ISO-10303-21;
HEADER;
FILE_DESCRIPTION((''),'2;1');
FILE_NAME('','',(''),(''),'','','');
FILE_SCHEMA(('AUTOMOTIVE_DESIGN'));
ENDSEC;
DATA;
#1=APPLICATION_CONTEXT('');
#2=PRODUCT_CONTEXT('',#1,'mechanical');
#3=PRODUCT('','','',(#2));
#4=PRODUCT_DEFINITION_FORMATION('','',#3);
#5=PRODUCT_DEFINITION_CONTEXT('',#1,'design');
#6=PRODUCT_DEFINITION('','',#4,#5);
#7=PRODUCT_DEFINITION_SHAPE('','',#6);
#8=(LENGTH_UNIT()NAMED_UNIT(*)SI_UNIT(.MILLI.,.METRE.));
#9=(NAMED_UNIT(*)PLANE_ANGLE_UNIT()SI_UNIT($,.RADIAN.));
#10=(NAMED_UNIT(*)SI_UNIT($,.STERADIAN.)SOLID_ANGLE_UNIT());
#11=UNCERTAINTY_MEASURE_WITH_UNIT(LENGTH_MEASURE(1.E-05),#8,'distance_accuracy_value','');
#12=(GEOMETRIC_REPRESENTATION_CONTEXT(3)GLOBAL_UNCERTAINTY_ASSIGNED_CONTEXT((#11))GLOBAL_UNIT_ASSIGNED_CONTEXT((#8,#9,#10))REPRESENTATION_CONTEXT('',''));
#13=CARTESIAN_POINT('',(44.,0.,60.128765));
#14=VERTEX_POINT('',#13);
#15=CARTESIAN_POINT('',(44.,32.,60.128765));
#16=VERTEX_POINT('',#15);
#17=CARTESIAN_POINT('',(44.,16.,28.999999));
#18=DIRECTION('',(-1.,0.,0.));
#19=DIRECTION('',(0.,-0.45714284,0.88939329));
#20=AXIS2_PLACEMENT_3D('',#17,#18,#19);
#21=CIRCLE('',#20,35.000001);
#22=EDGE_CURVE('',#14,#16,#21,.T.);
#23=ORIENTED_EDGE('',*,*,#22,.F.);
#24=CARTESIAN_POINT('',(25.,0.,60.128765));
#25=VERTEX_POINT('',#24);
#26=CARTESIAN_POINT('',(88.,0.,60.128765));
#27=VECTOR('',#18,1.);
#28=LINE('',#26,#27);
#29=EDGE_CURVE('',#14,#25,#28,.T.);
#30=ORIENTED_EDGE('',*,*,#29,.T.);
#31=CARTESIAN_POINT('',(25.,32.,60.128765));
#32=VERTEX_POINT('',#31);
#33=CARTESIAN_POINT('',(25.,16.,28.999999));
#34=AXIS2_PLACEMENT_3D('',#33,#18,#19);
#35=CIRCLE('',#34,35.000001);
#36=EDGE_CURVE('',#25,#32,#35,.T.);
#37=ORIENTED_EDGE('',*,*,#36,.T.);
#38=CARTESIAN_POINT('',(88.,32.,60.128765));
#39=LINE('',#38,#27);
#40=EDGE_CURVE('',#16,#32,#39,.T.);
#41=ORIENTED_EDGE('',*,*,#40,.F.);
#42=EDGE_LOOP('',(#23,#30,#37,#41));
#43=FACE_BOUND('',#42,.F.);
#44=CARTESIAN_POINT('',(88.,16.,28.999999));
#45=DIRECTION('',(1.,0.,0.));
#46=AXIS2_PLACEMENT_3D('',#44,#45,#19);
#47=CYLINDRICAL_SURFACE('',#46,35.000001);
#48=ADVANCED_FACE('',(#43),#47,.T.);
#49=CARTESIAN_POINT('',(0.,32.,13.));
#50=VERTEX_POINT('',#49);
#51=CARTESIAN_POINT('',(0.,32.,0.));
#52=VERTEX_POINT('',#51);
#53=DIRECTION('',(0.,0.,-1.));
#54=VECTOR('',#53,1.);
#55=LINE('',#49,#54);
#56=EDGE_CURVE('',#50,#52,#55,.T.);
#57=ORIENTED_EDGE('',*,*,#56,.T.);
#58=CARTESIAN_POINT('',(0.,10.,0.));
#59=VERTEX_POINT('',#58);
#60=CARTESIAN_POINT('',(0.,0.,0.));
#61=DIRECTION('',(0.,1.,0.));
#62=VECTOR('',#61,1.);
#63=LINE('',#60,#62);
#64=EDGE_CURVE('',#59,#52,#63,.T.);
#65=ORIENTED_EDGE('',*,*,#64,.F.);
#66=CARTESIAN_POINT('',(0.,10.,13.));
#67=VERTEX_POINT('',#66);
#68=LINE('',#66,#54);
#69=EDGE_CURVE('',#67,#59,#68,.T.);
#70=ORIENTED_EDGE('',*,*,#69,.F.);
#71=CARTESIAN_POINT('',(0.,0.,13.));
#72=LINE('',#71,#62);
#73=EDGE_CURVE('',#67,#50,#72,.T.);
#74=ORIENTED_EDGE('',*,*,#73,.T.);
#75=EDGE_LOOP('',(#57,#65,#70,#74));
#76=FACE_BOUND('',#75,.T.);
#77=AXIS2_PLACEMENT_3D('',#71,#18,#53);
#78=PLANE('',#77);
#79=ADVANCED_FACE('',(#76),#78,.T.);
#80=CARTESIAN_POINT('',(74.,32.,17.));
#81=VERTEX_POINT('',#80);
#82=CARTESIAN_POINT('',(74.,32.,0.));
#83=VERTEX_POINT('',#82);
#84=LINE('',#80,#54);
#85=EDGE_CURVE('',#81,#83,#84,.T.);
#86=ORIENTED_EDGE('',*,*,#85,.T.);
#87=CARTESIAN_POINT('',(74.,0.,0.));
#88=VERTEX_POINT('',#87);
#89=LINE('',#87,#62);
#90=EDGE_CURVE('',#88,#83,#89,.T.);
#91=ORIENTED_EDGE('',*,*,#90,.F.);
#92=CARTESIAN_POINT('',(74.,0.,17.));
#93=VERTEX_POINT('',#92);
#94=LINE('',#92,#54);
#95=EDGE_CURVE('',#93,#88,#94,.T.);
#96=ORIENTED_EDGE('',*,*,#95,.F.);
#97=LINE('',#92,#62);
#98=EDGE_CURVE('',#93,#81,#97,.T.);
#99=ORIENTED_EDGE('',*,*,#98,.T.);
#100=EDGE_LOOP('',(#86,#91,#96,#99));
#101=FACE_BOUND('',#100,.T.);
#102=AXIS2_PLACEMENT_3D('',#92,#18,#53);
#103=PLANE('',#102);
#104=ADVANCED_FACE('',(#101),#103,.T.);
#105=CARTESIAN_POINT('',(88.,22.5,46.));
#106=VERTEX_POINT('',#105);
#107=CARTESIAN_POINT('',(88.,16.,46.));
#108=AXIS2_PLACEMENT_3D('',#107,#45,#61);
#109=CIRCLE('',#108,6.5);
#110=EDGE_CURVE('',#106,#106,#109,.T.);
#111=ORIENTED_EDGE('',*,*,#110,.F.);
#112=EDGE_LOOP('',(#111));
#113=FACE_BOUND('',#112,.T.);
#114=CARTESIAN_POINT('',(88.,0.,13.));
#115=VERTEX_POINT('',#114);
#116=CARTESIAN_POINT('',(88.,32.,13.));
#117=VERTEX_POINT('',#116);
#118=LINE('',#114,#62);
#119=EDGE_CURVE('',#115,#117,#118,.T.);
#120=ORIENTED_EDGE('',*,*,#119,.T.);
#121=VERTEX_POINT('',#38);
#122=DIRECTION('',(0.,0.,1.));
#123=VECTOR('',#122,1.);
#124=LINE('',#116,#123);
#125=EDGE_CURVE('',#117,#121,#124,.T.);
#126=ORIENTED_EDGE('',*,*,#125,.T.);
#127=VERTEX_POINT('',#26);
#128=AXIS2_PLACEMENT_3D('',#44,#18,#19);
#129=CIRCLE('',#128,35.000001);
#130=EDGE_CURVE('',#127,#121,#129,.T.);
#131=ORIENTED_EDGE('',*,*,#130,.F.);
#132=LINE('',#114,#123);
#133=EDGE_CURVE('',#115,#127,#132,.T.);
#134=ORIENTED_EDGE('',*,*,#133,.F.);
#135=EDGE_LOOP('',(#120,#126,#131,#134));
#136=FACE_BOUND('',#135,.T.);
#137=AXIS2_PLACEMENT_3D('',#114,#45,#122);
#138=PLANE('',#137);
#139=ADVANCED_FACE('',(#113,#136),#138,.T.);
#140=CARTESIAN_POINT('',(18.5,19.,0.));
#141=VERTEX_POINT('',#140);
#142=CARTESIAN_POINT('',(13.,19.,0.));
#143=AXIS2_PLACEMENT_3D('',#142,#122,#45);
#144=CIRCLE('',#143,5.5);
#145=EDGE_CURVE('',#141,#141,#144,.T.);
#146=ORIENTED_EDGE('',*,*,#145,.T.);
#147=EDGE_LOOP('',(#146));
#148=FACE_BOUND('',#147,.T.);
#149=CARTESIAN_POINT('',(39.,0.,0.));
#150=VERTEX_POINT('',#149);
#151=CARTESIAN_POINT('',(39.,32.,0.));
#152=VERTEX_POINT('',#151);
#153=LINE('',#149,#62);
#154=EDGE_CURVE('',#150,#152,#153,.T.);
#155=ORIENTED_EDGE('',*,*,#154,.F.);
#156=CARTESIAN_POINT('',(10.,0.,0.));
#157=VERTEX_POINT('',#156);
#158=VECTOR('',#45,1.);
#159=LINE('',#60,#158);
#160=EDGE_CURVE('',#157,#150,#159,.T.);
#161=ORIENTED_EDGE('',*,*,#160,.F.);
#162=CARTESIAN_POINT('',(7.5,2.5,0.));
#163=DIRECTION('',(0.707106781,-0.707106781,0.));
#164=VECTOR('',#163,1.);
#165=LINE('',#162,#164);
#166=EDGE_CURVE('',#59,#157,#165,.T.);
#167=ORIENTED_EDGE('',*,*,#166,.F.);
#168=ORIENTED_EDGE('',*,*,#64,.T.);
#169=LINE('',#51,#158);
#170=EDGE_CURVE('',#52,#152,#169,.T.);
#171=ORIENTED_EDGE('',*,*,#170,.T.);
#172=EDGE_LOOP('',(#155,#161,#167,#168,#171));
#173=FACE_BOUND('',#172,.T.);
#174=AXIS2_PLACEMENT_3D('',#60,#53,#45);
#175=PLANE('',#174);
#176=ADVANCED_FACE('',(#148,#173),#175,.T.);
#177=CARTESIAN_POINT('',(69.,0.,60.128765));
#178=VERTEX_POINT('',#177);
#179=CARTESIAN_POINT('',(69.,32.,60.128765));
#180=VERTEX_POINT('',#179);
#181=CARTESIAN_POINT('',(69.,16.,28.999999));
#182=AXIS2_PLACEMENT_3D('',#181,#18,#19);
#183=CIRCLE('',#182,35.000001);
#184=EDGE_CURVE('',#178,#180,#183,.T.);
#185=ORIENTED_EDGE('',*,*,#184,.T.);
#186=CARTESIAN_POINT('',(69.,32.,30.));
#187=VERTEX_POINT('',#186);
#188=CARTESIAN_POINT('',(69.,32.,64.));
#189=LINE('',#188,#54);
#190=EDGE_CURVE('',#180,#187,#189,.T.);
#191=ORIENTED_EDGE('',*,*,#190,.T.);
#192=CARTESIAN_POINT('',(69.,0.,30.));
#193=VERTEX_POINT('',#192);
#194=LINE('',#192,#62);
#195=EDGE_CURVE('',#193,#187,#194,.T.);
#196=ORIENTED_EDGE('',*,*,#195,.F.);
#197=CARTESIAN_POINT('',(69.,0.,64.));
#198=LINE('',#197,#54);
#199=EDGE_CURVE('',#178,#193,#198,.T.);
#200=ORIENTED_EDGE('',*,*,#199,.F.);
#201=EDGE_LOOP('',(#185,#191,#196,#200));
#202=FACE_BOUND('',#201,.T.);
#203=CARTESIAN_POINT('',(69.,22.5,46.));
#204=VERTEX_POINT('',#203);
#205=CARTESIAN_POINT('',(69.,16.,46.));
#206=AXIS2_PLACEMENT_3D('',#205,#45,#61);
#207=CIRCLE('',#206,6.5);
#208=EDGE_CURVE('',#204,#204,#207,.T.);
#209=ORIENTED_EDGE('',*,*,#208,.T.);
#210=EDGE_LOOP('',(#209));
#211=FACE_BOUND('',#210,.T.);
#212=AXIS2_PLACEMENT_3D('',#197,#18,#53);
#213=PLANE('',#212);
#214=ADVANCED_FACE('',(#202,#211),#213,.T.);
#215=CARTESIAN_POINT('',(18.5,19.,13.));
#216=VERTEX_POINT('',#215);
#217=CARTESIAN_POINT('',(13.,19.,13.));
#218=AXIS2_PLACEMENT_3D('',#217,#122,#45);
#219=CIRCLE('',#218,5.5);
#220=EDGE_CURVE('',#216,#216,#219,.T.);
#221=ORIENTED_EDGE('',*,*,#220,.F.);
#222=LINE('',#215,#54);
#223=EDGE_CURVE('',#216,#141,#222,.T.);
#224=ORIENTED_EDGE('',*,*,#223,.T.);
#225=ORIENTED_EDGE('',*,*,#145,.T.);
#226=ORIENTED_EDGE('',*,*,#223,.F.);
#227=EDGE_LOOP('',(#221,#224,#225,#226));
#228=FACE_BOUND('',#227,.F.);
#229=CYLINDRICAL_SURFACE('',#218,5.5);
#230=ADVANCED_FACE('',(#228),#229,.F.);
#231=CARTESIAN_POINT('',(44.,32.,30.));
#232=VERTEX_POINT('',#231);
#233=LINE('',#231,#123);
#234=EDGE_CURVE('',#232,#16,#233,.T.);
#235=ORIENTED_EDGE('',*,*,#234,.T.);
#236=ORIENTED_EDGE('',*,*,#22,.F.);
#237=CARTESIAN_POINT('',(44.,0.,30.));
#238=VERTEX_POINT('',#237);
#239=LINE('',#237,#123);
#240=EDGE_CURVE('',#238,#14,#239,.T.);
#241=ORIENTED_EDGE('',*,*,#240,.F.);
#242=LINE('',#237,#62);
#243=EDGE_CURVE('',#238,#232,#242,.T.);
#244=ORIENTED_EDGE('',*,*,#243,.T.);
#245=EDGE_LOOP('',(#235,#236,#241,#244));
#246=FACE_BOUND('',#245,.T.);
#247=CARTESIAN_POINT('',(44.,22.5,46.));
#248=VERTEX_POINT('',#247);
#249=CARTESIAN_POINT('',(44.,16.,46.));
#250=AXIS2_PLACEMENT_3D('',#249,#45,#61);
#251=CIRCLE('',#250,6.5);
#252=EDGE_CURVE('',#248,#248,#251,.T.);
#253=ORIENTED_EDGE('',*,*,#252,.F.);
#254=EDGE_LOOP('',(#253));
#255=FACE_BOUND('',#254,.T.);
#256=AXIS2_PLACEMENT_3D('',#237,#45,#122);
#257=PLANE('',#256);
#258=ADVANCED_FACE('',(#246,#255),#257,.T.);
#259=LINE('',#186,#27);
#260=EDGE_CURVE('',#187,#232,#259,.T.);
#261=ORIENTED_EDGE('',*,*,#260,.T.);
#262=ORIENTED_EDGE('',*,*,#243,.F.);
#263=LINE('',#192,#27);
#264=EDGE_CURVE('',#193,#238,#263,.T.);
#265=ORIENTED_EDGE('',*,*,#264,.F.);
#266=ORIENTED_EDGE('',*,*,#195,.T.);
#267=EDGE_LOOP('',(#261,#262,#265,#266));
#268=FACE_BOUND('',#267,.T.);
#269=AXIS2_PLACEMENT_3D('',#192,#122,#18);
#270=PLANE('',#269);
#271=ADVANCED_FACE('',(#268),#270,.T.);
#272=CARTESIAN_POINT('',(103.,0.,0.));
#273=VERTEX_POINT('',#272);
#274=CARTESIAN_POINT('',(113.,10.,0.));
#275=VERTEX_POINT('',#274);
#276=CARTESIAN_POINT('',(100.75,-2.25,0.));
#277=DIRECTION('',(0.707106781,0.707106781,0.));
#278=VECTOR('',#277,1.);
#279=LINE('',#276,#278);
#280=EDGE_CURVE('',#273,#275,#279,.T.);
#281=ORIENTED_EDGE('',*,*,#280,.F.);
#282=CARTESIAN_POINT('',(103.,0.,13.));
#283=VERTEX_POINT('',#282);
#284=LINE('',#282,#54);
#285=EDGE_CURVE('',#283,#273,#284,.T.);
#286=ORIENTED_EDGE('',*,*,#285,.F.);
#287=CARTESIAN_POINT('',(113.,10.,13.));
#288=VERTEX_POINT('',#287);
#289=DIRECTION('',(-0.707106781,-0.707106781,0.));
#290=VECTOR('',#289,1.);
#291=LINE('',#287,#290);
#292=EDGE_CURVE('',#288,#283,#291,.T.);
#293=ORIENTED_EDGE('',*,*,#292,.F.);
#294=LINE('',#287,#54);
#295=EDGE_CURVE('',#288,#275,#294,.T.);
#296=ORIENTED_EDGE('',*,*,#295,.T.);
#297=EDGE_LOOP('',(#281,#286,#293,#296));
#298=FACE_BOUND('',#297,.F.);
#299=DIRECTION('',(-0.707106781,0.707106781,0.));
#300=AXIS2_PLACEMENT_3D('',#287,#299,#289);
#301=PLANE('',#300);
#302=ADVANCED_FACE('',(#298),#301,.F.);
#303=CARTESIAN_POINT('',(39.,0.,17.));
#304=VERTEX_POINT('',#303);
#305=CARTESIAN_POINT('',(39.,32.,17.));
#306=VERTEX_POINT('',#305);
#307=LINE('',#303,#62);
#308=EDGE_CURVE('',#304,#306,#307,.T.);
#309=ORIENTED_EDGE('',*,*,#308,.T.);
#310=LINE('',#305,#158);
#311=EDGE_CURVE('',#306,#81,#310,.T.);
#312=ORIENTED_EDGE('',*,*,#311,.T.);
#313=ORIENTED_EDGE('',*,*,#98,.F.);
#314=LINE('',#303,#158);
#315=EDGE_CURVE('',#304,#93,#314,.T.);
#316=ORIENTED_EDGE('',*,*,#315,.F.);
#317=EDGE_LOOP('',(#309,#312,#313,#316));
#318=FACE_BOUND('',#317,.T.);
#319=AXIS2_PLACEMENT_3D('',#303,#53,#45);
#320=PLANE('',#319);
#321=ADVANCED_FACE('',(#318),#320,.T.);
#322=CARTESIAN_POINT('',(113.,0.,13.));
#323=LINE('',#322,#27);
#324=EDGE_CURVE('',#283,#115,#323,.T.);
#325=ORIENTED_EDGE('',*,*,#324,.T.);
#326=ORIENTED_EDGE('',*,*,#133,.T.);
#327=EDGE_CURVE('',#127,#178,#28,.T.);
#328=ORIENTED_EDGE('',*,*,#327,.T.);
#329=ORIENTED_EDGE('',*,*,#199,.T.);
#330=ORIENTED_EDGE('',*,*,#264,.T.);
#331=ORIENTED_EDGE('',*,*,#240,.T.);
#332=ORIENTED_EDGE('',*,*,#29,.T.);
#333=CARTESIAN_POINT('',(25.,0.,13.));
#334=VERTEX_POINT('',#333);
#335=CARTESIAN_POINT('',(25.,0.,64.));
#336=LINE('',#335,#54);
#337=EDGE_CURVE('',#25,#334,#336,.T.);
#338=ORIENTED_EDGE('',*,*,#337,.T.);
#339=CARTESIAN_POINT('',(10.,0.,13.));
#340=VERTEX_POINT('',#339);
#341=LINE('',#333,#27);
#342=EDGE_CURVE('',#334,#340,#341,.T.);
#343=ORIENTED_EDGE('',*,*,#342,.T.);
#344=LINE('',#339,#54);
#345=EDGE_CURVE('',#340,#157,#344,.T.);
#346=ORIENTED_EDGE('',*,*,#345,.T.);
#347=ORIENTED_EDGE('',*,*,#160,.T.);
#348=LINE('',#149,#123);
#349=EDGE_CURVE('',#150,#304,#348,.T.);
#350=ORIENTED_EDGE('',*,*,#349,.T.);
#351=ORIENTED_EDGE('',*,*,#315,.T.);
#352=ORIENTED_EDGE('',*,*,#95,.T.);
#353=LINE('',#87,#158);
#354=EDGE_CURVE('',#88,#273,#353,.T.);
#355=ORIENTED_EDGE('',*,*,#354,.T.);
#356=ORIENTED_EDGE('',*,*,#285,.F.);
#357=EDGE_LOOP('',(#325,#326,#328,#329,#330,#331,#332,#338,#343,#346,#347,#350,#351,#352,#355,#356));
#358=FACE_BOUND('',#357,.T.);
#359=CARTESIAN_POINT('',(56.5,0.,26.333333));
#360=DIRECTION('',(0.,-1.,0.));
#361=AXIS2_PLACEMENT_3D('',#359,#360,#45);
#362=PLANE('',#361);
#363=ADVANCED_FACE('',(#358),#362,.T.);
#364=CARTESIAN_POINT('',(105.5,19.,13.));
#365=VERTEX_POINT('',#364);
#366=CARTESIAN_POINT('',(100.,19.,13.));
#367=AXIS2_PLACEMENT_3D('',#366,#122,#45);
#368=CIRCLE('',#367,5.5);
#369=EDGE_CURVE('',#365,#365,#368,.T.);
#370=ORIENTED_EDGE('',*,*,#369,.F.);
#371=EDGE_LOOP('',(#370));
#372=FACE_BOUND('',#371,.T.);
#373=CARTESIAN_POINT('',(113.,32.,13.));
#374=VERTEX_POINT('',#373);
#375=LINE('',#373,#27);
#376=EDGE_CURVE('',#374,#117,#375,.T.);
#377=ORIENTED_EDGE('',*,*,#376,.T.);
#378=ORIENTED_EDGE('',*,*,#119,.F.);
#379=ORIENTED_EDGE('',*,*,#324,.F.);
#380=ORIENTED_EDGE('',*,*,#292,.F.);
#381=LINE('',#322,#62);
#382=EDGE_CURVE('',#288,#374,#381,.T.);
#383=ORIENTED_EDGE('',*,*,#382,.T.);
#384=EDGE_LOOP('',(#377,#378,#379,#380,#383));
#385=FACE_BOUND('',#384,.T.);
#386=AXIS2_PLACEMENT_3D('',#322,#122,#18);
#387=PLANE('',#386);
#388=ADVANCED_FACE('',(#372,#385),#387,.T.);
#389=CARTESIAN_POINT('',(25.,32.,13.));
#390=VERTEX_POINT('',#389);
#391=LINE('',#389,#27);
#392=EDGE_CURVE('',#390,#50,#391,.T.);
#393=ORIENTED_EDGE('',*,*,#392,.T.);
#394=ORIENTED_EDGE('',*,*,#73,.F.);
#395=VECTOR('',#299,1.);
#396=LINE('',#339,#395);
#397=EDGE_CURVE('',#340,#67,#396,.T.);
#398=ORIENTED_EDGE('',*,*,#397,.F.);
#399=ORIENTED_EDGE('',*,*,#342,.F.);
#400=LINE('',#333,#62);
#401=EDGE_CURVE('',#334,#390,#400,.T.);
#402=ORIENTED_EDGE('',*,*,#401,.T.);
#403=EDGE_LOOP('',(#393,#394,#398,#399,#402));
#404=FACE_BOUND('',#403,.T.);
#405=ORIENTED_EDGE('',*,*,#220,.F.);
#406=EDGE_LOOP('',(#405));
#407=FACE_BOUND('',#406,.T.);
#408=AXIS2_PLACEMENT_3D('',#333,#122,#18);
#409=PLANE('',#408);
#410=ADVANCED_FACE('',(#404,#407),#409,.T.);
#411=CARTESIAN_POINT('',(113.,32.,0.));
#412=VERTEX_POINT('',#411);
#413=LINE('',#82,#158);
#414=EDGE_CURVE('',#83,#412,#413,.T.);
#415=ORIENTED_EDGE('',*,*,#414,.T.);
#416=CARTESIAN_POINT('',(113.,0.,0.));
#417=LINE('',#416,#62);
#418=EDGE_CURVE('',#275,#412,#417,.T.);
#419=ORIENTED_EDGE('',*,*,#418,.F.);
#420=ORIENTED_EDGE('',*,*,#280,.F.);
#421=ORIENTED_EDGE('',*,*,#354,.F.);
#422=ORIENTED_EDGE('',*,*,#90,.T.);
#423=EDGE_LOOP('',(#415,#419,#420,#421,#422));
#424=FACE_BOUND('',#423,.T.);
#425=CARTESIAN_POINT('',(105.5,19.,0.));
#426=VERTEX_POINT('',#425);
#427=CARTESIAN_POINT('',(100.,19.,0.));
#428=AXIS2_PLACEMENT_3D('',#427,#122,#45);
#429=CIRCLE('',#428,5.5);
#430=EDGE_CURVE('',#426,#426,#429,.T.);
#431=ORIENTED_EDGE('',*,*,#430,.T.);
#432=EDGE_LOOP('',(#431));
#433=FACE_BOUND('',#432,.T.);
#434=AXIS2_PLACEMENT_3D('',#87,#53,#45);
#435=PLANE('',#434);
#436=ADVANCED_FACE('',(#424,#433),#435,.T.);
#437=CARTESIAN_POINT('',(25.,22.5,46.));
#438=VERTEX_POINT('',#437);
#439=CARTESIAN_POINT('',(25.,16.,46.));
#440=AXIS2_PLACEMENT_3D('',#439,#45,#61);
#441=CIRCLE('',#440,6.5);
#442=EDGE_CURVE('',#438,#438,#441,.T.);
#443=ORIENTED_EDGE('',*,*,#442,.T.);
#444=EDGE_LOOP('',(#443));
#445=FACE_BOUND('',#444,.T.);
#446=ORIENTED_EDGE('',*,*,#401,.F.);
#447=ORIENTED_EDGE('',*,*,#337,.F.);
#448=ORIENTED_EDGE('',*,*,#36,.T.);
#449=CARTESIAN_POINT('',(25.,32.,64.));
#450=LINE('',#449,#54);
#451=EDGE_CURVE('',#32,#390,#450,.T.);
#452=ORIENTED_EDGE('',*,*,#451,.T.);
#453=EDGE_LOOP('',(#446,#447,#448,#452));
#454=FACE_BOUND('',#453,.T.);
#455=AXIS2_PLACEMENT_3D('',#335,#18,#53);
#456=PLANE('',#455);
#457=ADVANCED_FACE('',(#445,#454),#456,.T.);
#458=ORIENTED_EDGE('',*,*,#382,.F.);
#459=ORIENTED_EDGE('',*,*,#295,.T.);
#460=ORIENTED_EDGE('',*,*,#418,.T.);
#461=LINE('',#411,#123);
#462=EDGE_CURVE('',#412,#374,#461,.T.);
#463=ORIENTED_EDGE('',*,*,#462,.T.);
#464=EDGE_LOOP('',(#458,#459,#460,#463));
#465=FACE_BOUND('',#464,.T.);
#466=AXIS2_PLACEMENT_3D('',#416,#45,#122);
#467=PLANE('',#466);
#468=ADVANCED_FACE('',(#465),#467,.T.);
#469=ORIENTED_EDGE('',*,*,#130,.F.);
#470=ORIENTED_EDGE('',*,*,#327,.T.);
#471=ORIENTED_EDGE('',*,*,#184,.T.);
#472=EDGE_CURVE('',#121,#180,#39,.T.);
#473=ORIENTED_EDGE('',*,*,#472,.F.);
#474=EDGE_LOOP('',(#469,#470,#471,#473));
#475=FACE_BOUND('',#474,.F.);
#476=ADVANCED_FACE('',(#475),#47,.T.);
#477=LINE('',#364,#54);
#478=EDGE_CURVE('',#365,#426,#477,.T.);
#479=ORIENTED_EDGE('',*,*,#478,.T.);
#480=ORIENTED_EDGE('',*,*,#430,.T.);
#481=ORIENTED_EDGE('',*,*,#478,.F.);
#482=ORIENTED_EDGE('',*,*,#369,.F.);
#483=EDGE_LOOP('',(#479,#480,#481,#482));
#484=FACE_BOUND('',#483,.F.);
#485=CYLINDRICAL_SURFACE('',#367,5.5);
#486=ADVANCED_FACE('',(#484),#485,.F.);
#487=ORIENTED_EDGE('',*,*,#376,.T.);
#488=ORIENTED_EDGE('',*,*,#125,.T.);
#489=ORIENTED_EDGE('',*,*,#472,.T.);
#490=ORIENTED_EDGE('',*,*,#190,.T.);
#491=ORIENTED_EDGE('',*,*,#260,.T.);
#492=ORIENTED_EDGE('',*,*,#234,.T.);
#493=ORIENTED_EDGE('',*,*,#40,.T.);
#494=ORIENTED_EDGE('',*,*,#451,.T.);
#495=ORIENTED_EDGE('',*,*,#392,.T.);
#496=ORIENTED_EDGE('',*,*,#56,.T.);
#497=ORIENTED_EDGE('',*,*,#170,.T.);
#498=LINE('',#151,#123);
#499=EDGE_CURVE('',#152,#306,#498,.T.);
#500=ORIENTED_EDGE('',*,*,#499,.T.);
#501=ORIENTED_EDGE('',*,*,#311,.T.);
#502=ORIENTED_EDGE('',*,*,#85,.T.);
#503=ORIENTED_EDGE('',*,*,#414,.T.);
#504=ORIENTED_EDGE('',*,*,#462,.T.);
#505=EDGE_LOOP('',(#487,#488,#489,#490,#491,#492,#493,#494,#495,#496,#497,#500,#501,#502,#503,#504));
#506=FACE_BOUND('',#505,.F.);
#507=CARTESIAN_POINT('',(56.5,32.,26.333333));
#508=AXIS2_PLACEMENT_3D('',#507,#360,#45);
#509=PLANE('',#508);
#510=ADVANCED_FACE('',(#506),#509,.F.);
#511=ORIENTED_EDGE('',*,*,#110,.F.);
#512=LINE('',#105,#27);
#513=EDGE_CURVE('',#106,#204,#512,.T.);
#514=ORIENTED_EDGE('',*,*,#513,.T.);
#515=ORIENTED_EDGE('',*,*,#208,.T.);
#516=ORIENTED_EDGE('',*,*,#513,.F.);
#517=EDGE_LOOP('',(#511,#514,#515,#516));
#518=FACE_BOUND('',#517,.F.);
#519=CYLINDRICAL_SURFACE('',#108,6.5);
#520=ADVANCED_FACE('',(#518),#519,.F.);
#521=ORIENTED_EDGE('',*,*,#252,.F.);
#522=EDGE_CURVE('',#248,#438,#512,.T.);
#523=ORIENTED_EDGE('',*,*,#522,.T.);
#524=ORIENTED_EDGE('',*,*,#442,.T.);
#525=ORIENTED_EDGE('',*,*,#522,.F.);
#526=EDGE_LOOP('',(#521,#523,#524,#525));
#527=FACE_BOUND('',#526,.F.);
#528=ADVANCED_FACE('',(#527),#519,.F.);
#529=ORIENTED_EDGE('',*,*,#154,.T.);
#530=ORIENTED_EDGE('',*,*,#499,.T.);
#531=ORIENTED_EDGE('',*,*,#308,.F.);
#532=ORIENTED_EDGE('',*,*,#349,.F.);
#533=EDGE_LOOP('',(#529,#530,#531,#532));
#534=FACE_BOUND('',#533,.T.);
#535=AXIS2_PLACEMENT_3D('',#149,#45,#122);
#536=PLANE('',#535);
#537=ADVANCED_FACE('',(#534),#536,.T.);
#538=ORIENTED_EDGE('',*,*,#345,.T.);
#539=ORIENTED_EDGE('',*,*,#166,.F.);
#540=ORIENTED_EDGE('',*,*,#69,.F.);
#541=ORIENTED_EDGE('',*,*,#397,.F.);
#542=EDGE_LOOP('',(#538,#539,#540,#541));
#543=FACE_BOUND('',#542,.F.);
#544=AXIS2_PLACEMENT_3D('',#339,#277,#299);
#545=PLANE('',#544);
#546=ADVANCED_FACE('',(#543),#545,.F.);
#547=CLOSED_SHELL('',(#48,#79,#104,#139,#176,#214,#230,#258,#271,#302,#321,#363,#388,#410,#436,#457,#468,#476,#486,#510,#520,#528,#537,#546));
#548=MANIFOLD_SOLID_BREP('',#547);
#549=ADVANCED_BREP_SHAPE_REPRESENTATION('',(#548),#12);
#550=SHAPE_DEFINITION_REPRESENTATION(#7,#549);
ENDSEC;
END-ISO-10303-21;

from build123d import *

# Parameters (mm, degrees)
F1_DEPTH  = 32
F2_R      = 5.5
F3_DEPTH  = 13.001
F4_R      = 5.5
F5_DEPTH  = 13.001
F7_DEPTH  = 13.001
F9_DEPTH  = 13.001
F10_R     = 6.5
F11_DEPTH = 88.001
F13_DEPTH = 88.001


with BuildPart() as f1:
    # F0 (on Front) → F1 (new body)
    with BuildSketch(Plane.XZ):
        Polygon((0, 13), (0, 0), (39, 0), (39, 17), (74, 17), (74, 0), (113, 0), (113, 13), (88, 13), (88, 64), (69, 64), (69, 30), (44, 30), (44, 64), (25, 64), (25, 13), align=None)
    extrude(amount=-F1_DEPTH)

    # F2 (on face) → F3 (cut, through all)
    with BuildSketch(Plane.XY.offset(13)):
        with Locations((13, 19)):
            Circle(F2_R)
    extrude(amount=-F3_DEPTH, mode=Mode.SUBTRACT)

    # F4 (on face) → F5 (cut, through all)
    with BuildSketch(Plane.XY.offset(13)):
        with Locations((100, 19)):
            Circle(F4_R)
    extrude(amount=-F5_DEPTH, mode=Mode.SUBTRACT)

    # F6 (on face) → F7 (cut, through all)
    with BuildSketch(Plane.XY.offset(13)):
        Polygon((0, 10), (0, 0), (10, 0), align=None)
    extrude(amount=-F7_DEPTH, mode=Mode.SUBTRACT)

    # F8 (on face) → F9 (cut, through all)
    with BuildSketch(Plane.XY.offset(13)):
        Polygon((103, 0), (113, 0), (113, 10), align=None)
    extrude(amount=-F9_DEPTH, mode=Mode.SUBTRACT)

    # F10 (on face) → F11 (cut, through all)
    with BuildSketch(Plane.YZ.offset(88)):
        with Locations((16, 46)):
            Circle(F10_R)
    extrude(amount=-F11_DEPTH, mode=Mode.SUBTRACT)

    # F12 (on face) → F13 (cut, through all)
    with BuildSketch(Plane.YZ.offset(88)):
        with BuildLine():
            ThreePointArc((0, 60.128765), (16, 64), (32, 60.128765))
            Line((32, 60.128765), (32, 70.128765))
            Line((32, 70.128765), (0, 70.128765))
            Line((0, 70.128765), (0, 60.128765))
        make_face()
    extrude(amount=-F13_DEPTH, mode=Mode.SUBTRACT)


solid = f1.part
